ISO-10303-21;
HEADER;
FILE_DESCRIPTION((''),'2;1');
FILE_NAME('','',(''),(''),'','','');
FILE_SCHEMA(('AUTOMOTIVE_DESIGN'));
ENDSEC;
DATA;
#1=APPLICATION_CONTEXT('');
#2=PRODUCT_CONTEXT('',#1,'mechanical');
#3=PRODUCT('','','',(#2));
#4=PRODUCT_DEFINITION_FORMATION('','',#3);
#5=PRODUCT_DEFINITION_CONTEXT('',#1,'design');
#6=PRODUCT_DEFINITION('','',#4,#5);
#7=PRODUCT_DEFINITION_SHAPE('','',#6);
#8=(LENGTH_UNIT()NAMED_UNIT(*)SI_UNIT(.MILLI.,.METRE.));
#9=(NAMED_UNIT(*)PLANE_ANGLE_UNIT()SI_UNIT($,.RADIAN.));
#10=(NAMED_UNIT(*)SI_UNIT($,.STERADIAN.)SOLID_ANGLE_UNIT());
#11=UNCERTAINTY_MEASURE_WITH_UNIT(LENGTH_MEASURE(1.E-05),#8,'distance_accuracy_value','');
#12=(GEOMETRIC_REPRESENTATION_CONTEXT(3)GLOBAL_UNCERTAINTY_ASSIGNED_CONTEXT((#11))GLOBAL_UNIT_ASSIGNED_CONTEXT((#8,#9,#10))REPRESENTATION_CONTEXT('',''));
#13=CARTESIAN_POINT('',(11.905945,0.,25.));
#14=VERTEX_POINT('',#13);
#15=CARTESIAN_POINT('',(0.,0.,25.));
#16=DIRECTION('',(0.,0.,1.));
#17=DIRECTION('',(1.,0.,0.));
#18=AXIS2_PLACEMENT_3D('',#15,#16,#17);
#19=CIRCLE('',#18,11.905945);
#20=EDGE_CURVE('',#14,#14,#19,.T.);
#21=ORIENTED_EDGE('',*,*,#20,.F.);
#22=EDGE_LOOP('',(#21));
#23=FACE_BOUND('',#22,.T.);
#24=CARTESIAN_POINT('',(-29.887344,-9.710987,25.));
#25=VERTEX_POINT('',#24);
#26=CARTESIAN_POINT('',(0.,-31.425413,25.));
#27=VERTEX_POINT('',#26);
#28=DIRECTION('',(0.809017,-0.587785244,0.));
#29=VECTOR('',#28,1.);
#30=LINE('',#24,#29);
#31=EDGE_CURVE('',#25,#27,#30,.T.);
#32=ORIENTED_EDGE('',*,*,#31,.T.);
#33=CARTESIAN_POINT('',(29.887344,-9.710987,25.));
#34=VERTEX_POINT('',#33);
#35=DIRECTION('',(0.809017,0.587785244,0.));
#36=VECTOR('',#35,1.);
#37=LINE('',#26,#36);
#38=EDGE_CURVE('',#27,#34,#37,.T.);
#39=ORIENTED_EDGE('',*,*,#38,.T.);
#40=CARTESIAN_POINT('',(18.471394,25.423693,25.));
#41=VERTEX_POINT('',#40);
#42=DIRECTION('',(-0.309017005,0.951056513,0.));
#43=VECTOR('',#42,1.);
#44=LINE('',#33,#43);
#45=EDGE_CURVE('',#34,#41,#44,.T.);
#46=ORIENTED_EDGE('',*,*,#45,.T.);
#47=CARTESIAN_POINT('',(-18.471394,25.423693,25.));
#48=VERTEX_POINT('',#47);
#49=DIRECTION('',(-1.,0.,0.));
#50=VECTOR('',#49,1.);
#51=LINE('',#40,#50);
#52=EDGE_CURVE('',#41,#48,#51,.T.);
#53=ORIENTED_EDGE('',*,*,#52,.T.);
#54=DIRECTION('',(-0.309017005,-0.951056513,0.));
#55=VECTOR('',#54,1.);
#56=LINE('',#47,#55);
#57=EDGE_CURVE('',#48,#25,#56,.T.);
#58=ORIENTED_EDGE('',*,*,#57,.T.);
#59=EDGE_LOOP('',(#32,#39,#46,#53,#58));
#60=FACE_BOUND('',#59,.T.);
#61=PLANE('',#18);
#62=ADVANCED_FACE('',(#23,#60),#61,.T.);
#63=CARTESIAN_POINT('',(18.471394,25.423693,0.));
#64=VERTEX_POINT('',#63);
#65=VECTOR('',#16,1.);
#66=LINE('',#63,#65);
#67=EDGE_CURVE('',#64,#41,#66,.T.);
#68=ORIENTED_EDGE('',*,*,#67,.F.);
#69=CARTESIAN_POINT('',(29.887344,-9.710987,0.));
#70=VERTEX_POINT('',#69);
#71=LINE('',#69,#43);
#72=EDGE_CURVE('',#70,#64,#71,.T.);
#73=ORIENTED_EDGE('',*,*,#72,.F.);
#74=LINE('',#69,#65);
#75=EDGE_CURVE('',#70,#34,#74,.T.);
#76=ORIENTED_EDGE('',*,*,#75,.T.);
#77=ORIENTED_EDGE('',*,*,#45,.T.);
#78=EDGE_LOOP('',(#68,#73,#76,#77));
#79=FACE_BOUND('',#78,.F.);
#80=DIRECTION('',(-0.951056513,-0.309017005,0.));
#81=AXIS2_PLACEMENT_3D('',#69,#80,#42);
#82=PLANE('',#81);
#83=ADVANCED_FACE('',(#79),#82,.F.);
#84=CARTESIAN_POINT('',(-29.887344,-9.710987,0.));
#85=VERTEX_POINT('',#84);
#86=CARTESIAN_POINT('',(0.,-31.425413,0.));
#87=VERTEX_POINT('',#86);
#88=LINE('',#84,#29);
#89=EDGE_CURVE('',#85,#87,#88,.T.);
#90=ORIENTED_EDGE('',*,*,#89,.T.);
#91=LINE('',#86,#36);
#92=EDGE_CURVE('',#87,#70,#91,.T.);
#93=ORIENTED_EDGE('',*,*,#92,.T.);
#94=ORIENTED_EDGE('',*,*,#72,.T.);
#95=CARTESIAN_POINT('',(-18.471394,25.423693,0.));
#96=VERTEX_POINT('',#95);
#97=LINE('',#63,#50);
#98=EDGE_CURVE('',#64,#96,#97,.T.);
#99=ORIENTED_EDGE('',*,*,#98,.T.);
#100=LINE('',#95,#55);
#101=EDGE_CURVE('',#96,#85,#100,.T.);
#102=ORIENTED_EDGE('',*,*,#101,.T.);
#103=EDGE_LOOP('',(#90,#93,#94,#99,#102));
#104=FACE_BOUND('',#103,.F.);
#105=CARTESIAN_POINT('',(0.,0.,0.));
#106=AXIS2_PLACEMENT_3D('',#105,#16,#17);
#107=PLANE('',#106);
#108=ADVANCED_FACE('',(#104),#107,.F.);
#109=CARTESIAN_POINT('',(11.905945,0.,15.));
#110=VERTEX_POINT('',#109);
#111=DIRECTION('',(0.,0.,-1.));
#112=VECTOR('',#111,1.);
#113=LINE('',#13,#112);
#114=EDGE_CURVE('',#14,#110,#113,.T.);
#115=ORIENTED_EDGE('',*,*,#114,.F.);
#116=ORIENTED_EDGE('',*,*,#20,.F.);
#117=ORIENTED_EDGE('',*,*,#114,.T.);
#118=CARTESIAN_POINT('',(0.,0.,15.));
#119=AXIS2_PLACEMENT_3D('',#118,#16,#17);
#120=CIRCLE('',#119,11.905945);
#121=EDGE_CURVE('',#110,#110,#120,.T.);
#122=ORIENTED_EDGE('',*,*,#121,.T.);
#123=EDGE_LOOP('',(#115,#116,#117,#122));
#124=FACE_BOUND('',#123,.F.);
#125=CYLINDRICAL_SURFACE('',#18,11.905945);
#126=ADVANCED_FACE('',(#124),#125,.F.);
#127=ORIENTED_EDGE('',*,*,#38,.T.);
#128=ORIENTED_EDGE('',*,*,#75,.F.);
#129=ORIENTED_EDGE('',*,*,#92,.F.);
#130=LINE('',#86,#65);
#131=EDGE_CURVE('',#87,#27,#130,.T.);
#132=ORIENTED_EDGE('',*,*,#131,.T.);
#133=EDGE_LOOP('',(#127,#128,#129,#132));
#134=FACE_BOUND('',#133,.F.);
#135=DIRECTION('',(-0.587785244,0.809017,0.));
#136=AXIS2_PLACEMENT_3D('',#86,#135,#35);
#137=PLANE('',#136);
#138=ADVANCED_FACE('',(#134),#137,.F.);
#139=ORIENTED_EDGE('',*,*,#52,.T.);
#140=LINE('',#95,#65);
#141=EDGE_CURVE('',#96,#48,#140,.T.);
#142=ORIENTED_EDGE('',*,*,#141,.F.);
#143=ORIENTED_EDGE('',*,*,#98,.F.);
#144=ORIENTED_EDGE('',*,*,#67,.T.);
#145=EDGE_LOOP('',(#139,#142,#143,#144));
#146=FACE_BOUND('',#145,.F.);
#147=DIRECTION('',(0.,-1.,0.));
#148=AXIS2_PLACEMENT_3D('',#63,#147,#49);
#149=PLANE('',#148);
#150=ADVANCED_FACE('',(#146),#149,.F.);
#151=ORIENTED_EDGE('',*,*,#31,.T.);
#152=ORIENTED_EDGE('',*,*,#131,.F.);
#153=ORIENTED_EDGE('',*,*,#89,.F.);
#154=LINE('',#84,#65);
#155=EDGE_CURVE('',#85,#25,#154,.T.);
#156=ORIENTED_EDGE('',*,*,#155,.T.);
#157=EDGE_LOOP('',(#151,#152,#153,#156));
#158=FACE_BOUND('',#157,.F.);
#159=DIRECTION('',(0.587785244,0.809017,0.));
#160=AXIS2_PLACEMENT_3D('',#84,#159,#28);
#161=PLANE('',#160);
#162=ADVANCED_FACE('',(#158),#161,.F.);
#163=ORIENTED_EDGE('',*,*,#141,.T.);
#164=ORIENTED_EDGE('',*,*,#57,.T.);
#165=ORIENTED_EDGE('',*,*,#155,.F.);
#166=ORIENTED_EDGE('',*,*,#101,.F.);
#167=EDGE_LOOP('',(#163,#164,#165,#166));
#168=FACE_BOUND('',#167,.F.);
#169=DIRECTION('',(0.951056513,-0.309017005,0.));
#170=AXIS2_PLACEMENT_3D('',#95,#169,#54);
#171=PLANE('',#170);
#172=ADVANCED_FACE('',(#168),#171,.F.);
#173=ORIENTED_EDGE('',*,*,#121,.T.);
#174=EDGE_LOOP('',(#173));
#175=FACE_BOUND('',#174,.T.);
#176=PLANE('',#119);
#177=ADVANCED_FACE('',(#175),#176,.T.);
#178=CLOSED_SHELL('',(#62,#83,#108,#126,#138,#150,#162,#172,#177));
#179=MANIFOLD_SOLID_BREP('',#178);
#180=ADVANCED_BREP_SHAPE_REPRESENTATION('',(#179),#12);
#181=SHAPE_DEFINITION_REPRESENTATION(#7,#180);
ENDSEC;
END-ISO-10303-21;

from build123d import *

# Parameters (mm, degrees)
F1_DEPTH = 25
F2_R     = 11.905945
F3_DEPTH = 10


with BuildPart() as f1:
    # F0 (on Top) → F1 (new body)
    with BuildSketch(Plane.XY):
        Polygon((29.887344, -9.710987), (18.471394, 25.423693), (-18.471394, 25.423693), (-29.887344, -9.710987), (0, -31.425413), align=None)
    extrude(amount=F1_DEPTH)

    # F2 (on face) → F3 (cut)
    with BuildSketch(Plane.XY.offset(25)):
        Circle(F2_R)
    extrude(amount=-F3_DEPTH, mode=Mode.SUBTRACT)


solid = f1.part
